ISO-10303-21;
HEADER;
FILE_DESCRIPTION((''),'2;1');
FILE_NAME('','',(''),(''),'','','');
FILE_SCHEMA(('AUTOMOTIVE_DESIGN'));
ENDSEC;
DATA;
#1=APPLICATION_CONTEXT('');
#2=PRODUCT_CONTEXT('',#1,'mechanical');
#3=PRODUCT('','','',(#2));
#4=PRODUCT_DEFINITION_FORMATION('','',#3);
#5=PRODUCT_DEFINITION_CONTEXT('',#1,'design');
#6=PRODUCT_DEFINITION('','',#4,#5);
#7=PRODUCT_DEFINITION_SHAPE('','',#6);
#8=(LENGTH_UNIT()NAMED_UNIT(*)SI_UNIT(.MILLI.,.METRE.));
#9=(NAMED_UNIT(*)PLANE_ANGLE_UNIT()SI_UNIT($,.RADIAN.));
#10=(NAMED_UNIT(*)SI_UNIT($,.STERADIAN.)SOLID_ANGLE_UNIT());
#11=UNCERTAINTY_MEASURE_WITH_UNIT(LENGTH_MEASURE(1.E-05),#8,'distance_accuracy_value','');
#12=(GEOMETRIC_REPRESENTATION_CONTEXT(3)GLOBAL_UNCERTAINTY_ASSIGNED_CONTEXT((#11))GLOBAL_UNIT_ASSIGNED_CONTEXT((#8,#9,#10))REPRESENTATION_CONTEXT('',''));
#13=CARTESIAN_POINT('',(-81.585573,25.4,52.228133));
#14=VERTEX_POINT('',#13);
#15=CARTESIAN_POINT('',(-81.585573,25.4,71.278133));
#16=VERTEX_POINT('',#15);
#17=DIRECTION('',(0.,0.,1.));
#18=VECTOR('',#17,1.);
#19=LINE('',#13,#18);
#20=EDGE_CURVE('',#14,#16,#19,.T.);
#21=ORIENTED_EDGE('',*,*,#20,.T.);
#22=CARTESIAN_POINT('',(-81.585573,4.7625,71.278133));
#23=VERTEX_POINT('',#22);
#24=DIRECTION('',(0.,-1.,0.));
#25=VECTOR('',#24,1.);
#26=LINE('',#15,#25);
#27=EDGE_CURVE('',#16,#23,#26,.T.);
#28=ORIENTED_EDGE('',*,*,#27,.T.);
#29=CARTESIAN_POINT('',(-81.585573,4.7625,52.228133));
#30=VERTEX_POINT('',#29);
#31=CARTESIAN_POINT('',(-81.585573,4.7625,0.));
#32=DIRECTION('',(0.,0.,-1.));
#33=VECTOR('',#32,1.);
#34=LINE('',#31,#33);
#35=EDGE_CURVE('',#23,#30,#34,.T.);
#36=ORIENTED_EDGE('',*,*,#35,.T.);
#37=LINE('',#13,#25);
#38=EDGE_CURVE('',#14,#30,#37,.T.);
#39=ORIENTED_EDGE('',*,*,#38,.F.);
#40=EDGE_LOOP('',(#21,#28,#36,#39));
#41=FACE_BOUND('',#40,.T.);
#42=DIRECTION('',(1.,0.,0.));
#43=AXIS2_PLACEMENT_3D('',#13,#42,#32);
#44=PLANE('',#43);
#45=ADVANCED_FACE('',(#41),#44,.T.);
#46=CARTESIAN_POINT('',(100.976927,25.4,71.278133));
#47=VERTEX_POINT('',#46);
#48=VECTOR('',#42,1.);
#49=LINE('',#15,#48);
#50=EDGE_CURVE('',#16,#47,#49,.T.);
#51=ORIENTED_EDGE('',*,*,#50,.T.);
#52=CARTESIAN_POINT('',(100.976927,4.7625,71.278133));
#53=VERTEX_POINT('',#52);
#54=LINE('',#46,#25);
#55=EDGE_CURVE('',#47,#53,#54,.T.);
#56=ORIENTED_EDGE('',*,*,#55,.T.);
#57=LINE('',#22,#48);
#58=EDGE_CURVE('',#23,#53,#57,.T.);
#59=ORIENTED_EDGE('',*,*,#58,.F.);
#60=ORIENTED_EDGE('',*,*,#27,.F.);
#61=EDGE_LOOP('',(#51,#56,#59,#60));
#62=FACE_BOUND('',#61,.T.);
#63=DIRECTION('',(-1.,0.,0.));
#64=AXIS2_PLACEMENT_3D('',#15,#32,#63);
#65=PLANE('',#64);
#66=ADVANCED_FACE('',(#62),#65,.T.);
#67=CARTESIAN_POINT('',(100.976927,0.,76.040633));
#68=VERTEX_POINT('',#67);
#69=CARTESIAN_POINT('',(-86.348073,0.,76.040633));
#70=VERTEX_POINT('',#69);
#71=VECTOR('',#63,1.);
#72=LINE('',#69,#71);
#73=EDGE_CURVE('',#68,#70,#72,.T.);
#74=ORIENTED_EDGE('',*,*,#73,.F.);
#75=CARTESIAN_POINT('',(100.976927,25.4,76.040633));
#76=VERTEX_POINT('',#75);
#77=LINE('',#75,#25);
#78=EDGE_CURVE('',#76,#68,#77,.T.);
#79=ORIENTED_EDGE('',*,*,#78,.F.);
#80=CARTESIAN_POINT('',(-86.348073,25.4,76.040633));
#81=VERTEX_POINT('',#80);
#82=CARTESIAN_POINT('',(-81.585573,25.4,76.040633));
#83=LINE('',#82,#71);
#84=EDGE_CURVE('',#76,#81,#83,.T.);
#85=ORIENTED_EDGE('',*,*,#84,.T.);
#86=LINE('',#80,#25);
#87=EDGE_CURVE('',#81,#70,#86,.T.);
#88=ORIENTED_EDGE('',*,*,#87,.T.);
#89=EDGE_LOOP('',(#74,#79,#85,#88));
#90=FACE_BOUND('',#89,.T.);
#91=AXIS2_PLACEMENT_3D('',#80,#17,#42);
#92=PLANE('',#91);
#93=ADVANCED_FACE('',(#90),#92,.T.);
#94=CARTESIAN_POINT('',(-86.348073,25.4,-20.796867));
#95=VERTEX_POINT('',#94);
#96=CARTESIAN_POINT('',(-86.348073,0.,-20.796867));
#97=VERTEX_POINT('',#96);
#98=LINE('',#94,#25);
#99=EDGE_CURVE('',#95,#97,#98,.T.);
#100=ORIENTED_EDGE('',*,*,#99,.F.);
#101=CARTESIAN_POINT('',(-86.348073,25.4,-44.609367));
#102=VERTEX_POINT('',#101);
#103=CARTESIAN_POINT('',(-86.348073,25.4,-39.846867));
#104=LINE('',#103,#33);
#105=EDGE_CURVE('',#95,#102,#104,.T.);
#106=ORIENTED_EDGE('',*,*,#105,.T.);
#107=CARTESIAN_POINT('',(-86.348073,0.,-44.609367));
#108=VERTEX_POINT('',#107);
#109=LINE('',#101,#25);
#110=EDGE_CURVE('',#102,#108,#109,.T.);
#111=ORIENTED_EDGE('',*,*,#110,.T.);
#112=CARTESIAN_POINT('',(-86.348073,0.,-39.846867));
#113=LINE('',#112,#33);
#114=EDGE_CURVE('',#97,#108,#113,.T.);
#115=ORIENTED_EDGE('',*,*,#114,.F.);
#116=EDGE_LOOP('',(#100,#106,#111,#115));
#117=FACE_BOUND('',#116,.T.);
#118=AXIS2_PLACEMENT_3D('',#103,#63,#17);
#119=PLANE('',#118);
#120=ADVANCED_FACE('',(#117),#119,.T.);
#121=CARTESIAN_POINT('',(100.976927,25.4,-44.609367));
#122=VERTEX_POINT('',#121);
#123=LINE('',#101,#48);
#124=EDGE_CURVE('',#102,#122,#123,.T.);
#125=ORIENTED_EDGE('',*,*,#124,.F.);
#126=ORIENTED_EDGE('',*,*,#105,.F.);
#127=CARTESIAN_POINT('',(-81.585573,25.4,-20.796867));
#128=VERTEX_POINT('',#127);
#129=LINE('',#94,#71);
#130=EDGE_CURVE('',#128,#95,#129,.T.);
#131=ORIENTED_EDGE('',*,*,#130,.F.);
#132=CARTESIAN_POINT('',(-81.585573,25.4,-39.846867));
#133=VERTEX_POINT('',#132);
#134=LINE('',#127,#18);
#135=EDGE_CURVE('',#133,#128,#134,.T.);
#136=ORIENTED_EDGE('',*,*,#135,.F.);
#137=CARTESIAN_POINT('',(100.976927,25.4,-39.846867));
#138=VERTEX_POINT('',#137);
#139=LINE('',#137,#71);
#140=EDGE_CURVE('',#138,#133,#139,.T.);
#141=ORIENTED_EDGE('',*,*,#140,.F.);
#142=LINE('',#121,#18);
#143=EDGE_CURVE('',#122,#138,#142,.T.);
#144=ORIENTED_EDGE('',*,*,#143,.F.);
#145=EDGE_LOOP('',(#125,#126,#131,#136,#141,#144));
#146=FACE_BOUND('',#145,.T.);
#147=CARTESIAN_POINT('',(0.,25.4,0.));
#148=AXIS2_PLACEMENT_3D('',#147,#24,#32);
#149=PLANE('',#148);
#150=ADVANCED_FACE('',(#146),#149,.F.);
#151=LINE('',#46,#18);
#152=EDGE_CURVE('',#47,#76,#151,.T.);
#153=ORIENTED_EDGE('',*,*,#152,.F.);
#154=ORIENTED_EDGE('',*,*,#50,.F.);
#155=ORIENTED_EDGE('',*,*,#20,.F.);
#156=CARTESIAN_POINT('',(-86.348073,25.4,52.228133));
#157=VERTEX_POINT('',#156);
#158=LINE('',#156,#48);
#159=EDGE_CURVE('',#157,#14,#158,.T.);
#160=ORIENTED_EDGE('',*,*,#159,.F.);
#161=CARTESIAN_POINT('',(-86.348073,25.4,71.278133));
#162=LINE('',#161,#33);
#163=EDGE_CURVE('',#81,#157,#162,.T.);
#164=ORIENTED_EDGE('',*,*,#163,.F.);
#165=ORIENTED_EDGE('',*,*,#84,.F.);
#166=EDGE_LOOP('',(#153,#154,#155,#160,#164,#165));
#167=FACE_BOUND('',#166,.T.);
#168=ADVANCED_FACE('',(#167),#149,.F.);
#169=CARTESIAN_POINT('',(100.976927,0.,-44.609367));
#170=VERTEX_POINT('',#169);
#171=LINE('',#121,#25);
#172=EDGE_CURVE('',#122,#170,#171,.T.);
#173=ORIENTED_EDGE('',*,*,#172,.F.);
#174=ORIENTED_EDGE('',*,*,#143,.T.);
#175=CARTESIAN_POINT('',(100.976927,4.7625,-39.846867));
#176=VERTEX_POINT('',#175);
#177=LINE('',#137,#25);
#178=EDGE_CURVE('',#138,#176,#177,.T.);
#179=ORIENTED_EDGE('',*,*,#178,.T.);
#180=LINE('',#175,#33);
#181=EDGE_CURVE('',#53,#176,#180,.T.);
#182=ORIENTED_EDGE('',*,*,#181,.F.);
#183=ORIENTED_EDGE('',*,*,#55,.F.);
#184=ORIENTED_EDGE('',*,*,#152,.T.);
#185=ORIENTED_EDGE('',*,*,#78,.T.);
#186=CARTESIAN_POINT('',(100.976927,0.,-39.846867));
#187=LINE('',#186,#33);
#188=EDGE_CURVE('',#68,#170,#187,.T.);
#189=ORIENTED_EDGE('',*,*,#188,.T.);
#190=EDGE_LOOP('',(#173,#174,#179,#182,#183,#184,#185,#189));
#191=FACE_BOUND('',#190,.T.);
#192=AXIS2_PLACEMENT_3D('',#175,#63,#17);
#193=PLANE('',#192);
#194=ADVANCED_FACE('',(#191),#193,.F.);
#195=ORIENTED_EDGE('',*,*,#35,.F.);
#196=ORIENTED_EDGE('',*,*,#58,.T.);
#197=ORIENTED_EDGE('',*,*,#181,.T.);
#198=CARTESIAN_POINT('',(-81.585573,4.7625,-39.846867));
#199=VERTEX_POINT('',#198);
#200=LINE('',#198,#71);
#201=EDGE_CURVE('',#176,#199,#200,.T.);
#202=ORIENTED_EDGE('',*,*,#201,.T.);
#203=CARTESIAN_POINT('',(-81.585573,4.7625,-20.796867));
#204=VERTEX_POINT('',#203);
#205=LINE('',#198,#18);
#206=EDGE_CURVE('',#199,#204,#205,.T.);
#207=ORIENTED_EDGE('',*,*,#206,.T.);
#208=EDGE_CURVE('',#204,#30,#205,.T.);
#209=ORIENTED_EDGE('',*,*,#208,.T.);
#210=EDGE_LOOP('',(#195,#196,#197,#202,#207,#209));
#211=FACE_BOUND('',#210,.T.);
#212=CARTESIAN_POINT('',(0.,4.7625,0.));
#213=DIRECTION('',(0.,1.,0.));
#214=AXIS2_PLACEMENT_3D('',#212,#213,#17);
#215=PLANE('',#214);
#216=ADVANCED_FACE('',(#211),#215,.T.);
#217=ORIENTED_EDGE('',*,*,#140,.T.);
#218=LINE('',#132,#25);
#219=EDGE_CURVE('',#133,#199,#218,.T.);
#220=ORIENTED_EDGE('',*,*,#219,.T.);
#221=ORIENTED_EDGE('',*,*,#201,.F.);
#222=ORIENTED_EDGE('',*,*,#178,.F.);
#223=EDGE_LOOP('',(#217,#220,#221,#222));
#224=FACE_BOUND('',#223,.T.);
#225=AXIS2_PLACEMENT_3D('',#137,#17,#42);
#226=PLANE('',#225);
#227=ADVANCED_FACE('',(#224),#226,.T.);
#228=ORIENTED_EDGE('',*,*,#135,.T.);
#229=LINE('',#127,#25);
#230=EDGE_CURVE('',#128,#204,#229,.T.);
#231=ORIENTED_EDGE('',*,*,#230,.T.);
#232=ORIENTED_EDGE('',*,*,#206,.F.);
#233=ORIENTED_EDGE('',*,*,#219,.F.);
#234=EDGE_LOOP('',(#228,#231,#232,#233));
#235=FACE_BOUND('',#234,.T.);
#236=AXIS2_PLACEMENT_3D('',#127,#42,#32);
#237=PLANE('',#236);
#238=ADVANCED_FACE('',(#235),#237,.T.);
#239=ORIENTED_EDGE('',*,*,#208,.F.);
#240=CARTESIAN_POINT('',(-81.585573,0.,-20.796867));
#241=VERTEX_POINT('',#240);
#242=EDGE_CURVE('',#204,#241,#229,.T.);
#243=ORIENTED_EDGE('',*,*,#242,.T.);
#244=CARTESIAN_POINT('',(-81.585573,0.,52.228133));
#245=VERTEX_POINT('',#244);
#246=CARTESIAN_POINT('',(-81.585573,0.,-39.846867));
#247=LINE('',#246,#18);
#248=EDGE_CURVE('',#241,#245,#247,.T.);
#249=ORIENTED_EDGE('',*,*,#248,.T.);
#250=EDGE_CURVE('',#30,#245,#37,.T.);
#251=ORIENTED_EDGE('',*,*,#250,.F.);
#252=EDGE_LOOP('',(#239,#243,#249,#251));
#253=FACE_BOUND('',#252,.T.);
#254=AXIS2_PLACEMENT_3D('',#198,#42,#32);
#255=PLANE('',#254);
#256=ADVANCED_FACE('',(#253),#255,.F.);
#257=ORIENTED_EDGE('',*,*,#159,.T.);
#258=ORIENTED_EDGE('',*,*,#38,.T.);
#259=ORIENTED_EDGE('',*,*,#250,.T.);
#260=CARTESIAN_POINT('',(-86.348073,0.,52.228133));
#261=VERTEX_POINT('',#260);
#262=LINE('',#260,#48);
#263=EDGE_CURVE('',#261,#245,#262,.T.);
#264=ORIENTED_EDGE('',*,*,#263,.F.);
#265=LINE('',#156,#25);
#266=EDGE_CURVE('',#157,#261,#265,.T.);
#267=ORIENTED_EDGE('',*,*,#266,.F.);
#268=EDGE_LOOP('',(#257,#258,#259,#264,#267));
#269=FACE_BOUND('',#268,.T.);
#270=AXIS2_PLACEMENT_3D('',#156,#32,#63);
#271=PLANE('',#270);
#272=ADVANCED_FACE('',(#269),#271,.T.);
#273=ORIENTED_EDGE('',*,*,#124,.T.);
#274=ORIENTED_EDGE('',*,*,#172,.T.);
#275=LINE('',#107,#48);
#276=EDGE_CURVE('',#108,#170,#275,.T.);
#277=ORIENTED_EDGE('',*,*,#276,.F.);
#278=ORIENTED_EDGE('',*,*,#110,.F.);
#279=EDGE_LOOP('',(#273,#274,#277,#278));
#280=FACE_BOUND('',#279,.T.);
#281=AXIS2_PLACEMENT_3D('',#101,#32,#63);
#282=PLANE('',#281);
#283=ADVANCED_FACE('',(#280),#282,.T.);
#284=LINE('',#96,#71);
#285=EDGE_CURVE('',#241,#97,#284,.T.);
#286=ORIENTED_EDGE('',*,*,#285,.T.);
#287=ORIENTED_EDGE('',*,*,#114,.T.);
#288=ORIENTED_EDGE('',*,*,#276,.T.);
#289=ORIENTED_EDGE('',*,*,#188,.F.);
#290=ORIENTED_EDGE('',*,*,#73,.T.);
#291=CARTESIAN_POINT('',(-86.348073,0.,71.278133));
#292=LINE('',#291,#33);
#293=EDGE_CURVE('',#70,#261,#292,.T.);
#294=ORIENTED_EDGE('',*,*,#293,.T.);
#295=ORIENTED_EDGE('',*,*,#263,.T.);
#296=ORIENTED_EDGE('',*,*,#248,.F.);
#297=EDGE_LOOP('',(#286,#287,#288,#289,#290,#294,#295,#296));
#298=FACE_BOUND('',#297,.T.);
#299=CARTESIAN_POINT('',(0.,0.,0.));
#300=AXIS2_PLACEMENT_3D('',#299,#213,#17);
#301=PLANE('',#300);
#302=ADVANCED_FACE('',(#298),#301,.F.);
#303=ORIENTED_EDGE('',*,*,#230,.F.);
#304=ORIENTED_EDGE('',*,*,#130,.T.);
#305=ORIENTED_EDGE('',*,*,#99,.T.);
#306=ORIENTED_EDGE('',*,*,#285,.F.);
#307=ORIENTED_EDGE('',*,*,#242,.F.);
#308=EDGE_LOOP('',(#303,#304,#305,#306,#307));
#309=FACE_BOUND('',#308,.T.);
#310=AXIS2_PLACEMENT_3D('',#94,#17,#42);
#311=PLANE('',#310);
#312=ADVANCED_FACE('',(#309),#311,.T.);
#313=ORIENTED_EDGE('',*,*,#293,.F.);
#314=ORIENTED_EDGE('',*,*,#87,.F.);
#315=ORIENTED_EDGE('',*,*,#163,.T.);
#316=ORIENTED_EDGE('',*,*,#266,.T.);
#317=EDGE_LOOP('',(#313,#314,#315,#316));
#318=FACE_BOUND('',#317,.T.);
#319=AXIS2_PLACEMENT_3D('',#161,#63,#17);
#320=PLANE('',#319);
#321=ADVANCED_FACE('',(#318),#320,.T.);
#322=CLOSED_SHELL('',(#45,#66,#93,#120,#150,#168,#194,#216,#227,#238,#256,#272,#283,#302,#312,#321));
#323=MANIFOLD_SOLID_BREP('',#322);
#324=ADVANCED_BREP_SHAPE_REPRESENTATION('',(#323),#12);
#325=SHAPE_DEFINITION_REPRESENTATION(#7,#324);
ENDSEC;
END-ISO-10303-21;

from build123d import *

# Parameters (mm, degrees)
SKETCH1_W           = 182.5625
SKETCH1_H           = 111.125
BOSS_EXTRUDE1_DEPTH = 4.7625
BOSS_EXTRUDE2_DEPTH = 25.4


with BuildPart() as part:
    # Sketch1 → Boss-Extrude1 (new body)
    with BuildSketch(Plane(origin=(0, 0, 0), x_dir=(1, 0, 0), z_dir=(0, 1, 0))):
        with Locations((9.695676813, -15.715633096)):
            Rectangle(SKETCH1_W, SKETCH1_H)
    extrude(amount=BOSS_EXTRUDE1_DEPTH)

    # Sketch3 → Boss-Extrude2 (add)
    with BuildSketch(Plane.XZ):
        Polygon((-86.348073187, -39.846866904), (-86.348073187, -20.796866904), (-81.585573187, -20.796866904), (-81.585573187, -39.846866904), (100.976926813, -39.846866904), (100.976926813, -44.609366904), (-86.348073187, -44.609366904), align=None)
        Polygon((-86.348073187, 71.278133096), (-86.348073187, 52.228133096), (-81.585573187, 52.228133096), (-81.585573187, 71.278133096), (100.976926813, 71.278133096), (100.976926813, 76.040633096), (-81.585573187, 76.040633096), (-86.348073187, 76.040633096), align=None)
    extrude(amount=-BOSS_EXTRUDE2_DEPTH)


solid = part.part
